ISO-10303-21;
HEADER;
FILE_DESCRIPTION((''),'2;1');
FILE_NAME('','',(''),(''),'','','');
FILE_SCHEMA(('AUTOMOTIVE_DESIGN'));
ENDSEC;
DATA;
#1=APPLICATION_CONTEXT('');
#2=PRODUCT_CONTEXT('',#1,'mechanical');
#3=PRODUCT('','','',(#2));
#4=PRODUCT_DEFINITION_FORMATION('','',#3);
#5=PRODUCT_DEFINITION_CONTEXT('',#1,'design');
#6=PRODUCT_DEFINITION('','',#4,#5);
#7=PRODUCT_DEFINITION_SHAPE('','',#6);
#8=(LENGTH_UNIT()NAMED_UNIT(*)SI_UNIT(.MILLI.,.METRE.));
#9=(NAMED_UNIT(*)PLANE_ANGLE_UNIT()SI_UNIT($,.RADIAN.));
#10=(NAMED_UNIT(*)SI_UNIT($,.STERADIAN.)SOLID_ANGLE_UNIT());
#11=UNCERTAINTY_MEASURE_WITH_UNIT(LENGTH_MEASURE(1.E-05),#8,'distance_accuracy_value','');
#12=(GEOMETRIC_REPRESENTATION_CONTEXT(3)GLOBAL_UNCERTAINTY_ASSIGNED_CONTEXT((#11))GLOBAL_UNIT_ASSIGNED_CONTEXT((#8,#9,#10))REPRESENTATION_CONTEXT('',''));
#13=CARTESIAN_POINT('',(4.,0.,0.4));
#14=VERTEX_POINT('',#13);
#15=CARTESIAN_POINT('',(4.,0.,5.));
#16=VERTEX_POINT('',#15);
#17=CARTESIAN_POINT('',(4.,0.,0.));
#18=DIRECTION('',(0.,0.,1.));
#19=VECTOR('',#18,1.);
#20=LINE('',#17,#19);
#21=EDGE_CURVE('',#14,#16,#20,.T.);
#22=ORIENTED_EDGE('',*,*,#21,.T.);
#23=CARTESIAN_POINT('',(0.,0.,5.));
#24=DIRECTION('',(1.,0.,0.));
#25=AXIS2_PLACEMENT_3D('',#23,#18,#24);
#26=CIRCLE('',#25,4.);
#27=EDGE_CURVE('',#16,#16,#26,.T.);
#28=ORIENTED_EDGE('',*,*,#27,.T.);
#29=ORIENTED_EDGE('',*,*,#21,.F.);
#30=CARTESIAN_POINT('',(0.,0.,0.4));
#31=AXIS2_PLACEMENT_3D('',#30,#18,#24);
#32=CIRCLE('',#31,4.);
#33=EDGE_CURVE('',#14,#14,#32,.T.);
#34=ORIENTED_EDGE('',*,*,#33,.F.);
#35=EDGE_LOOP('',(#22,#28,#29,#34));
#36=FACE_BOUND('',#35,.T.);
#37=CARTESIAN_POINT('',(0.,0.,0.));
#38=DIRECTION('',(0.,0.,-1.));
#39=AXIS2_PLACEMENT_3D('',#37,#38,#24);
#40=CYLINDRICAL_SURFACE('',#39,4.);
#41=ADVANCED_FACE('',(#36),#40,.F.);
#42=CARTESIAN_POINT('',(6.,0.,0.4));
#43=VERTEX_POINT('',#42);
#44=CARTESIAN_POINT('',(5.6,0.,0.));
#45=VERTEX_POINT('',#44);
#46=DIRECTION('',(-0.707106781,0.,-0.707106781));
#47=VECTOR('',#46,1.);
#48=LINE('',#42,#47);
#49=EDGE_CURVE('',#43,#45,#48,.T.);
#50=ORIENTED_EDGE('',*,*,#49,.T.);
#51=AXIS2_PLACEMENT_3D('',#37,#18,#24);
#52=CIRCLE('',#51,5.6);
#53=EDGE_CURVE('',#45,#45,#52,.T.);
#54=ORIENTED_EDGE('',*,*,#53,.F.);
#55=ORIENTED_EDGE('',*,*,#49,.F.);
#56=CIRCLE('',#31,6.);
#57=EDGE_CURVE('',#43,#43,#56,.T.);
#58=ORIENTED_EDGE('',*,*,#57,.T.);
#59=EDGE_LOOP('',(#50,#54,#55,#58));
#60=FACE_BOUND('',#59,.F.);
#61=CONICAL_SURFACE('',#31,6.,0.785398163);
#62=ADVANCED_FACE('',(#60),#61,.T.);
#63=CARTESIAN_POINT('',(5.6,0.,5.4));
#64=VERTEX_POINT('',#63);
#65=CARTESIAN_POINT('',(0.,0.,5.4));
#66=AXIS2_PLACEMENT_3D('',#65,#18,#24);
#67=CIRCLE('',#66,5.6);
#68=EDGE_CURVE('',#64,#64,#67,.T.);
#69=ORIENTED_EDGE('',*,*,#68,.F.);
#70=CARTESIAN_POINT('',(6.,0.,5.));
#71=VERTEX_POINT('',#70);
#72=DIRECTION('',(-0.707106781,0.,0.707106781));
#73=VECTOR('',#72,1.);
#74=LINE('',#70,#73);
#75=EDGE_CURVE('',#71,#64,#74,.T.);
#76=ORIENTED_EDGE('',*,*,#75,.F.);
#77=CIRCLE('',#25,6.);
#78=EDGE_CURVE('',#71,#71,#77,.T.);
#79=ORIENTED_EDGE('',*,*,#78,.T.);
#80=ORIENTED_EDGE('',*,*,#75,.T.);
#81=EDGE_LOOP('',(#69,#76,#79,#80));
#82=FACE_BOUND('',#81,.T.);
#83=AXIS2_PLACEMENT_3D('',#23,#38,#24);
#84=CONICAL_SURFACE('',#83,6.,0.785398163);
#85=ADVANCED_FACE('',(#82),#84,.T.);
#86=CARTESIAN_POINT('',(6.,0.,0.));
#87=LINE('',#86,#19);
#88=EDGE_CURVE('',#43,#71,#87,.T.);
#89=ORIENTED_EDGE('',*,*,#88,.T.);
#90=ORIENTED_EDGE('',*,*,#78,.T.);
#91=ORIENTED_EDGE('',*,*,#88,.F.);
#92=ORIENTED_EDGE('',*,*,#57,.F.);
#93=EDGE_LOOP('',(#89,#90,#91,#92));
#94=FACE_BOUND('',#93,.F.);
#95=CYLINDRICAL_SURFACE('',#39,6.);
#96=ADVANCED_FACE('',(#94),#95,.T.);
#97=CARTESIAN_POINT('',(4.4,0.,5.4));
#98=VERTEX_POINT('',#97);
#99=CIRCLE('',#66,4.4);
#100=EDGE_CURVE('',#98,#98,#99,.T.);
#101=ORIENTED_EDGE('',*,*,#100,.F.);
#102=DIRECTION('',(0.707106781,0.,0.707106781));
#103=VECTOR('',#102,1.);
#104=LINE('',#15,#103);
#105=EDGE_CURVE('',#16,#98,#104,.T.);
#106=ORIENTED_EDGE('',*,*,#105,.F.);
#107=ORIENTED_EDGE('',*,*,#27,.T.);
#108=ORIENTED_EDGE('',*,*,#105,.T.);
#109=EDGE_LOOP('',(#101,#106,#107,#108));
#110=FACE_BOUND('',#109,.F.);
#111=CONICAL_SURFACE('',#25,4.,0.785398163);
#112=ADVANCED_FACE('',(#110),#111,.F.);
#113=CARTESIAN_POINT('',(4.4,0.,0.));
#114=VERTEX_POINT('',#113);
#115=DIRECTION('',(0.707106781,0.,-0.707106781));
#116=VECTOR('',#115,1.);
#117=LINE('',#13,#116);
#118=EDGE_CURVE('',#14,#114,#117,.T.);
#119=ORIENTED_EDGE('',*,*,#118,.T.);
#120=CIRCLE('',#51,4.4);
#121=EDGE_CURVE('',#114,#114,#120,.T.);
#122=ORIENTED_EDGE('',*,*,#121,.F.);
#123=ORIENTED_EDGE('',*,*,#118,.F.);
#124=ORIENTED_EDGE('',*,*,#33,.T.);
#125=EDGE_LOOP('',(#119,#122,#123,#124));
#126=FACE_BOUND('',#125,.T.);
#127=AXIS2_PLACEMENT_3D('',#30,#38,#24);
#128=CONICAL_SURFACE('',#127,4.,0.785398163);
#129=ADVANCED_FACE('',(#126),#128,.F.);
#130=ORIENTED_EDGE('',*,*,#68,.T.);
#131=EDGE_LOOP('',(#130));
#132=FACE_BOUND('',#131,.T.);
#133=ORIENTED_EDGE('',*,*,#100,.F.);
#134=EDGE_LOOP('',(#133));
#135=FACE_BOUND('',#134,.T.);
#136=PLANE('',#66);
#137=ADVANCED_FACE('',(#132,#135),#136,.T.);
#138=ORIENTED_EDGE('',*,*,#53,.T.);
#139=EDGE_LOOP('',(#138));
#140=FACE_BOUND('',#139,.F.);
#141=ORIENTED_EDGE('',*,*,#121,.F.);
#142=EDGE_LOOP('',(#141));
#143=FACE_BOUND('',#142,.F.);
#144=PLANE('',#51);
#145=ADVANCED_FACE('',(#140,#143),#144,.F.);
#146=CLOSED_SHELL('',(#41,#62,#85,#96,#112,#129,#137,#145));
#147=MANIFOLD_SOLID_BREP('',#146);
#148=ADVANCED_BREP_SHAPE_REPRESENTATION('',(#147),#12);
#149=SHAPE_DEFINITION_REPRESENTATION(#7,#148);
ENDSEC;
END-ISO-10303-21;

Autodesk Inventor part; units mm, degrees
ref_plane "YZ Plane" through (0, 0, 0) normal (1, 0, 0) x (0, 1, 0)
ref_plane "XZ Plane" through (0, 0, 0) normal (0, 1, 0) x (-1, 0, 0)
ref_plane "XY Plane" through (0, 0, 0) normal (0, 0, 1) x (1, 0, 0)
sketch "Sketch1" plane through (0, 0, 0) normal (0, 0, 1) x (1, 0, 0)
  circle A0 centre (0, 0) radius 4
  circle A1 centre (0, 0) radius 6
  dimension "d0" = 8
  dimension "d1" = 12
extrude "Extrusion1" add sketch "Sketch1" along normal blind 5.4
chamfer "Chamfer1" distance 0.4 angle 45 4 edges at (-6, 0, 5.4) (-4, 0, 5.4) (-6, 0, 0) (-4, 0, 0)
properties part number "bearing_spacer_1"
